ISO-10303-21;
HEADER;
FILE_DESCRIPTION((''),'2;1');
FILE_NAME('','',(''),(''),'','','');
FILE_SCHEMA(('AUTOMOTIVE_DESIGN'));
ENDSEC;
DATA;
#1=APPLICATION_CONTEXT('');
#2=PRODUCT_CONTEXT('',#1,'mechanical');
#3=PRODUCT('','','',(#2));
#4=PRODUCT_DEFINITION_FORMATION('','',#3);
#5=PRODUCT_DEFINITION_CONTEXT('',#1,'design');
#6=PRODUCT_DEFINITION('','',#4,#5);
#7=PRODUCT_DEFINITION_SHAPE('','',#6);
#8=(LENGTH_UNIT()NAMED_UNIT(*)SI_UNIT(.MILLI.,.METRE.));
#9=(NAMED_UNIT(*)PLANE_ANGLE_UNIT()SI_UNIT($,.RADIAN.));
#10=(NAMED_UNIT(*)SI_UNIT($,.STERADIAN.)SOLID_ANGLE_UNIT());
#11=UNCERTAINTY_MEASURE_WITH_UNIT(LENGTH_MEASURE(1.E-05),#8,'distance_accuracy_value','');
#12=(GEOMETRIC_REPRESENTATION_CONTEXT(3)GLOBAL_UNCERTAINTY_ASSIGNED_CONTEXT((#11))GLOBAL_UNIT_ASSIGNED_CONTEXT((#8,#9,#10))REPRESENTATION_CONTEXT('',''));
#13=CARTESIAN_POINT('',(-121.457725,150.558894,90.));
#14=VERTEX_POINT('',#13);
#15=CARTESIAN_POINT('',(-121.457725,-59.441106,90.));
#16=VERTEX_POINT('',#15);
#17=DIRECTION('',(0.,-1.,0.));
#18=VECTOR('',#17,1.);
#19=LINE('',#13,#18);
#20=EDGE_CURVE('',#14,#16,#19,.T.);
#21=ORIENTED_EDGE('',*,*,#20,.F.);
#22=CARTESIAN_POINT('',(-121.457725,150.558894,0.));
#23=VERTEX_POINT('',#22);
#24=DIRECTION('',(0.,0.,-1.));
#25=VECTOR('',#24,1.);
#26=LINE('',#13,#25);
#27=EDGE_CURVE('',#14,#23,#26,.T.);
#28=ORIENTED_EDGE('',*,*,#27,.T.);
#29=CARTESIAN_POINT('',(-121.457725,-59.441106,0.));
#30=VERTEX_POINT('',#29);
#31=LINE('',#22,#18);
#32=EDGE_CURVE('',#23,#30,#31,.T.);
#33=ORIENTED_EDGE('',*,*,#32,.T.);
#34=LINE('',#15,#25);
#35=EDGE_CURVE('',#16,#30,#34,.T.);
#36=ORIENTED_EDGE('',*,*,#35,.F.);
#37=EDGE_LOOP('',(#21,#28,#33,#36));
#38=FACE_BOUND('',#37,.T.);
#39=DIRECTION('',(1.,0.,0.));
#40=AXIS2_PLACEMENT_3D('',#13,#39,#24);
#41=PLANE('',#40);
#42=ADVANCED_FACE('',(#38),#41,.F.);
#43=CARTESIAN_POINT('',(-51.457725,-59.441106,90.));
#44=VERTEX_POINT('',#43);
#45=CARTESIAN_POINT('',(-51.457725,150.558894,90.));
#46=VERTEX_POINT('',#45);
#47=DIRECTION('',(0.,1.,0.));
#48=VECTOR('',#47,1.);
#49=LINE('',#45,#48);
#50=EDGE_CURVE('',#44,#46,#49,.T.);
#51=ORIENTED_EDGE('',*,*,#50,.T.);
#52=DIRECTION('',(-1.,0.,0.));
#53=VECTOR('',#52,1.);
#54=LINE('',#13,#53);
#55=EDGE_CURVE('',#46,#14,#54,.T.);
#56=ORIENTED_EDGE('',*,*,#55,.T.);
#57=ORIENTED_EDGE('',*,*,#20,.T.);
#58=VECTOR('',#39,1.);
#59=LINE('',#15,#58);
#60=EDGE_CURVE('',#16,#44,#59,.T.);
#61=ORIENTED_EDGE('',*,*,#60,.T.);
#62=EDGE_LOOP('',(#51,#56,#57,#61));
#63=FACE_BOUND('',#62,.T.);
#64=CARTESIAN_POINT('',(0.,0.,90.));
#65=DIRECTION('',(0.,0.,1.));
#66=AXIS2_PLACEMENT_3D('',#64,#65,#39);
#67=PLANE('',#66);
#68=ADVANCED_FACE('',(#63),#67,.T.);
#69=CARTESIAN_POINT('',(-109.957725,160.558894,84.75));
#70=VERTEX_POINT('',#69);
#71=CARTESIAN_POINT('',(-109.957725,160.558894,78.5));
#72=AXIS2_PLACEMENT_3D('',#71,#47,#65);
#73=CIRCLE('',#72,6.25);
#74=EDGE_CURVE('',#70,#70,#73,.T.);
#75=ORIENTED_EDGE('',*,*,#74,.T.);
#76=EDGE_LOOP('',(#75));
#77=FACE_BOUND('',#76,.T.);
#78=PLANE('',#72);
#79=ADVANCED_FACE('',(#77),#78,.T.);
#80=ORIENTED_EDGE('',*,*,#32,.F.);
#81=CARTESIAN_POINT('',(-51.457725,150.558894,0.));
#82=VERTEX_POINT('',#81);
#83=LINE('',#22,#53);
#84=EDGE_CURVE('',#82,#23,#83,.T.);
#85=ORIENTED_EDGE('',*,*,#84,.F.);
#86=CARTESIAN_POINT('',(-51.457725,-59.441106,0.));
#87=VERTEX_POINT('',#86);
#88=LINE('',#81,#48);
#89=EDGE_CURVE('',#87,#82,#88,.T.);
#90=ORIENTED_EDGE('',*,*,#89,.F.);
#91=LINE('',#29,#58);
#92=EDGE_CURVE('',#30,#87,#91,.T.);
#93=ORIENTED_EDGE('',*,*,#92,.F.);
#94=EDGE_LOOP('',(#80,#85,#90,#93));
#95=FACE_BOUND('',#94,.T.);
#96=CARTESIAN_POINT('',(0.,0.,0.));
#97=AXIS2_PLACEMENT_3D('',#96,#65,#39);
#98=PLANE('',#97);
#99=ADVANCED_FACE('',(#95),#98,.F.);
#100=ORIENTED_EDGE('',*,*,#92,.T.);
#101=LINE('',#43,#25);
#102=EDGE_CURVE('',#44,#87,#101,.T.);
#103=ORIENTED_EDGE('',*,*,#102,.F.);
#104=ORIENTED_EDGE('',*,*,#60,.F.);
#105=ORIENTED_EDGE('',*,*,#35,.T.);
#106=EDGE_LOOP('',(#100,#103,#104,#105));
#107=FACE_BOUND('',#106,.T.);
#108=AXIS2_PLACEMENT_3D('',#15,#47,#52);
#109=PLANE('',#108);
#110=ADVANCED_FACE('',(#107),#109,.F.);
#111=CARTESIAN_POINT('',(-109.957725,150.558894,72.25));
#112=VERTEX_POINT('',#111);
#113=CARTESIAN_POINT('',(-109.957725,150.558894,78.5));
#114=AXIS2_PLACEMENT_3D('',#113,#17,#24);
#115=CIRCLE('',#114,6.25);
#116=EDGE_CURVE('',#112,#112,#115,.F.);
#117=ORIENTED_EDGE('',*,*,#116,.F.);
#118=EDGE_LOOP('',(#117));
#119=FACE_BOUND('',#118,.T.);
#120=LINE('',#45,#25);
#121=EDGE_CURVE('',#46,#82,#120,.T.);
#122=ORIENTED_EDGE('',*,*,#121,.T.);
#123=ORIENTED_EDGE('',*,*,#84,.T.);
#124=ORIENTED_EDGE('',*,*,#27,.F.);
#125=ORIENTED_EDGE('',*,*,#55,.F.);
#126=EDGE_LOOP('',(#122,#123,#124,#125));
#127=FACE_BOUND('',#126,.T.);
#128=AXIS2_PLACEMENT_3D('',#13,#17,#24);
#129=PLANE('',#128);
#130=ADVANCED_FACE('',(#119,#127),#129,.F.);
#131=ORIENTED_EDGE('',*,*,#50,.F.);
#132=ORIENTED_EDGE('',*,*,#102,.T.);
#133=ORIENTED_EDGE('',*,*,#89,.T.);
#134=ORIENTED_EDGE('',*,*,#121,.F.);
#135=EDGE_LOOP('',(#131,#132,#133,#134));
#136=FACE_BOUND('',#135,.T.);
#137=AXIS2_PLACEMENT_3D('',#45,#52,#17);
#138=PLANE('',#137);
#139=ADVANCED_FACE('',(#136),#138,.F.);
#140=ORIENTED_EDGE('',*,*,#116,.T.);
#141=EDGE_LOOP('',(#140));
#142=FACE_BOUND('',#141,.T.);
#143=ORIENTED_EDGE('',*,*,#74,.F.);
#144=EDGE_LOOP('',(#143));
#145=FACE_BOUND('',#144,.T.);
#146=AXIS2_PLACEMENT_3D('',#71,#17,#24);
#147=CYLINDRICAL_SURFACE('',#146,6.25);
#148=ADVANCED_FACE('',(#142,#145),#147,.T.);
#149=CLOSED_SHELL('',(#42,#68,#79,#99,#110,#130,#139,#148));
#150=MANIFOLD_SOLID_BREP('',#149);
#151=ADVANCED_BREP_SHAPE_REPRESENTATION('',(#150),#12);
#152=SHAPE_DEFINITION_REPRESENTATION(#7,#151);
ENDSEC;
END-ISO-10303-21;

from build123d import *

# Parameters (mm, degrees)
SKETCH1_W             = 70
SKETCH1_H             = 210
LV_BATTRY_DEPTH       = 90
SKETCH2_R             = 6.25
CABLES_3X_14AWG_DEPTH = 10


with BuildPart() as part:
    # Sketch1 → LV Battry (new body)
    with BuildSketch(Plane.XY):
        with Locations((-86.457724765, 45.558894231)):
            Rectangle(SKETCH1_W, SKETCH1_H)
    extrude(amount=LV_BATTRY_DEPTH)

    # Sketch2 → Cables (3x 14AWG) (add)
    with BuildSketch(Plane(origin=(0, 150.558894231, 0), x_dir=(1, 0, 0), z_dir=(0, 1, 0))):
        with Locations(Location((-109.957724765, -78.5, 0), (0, 0, 90))):
            Circle(SKETCH2_R)
    extrude(amount=CABLES_3X_14AWG_DEPTH)


solid = part.part
